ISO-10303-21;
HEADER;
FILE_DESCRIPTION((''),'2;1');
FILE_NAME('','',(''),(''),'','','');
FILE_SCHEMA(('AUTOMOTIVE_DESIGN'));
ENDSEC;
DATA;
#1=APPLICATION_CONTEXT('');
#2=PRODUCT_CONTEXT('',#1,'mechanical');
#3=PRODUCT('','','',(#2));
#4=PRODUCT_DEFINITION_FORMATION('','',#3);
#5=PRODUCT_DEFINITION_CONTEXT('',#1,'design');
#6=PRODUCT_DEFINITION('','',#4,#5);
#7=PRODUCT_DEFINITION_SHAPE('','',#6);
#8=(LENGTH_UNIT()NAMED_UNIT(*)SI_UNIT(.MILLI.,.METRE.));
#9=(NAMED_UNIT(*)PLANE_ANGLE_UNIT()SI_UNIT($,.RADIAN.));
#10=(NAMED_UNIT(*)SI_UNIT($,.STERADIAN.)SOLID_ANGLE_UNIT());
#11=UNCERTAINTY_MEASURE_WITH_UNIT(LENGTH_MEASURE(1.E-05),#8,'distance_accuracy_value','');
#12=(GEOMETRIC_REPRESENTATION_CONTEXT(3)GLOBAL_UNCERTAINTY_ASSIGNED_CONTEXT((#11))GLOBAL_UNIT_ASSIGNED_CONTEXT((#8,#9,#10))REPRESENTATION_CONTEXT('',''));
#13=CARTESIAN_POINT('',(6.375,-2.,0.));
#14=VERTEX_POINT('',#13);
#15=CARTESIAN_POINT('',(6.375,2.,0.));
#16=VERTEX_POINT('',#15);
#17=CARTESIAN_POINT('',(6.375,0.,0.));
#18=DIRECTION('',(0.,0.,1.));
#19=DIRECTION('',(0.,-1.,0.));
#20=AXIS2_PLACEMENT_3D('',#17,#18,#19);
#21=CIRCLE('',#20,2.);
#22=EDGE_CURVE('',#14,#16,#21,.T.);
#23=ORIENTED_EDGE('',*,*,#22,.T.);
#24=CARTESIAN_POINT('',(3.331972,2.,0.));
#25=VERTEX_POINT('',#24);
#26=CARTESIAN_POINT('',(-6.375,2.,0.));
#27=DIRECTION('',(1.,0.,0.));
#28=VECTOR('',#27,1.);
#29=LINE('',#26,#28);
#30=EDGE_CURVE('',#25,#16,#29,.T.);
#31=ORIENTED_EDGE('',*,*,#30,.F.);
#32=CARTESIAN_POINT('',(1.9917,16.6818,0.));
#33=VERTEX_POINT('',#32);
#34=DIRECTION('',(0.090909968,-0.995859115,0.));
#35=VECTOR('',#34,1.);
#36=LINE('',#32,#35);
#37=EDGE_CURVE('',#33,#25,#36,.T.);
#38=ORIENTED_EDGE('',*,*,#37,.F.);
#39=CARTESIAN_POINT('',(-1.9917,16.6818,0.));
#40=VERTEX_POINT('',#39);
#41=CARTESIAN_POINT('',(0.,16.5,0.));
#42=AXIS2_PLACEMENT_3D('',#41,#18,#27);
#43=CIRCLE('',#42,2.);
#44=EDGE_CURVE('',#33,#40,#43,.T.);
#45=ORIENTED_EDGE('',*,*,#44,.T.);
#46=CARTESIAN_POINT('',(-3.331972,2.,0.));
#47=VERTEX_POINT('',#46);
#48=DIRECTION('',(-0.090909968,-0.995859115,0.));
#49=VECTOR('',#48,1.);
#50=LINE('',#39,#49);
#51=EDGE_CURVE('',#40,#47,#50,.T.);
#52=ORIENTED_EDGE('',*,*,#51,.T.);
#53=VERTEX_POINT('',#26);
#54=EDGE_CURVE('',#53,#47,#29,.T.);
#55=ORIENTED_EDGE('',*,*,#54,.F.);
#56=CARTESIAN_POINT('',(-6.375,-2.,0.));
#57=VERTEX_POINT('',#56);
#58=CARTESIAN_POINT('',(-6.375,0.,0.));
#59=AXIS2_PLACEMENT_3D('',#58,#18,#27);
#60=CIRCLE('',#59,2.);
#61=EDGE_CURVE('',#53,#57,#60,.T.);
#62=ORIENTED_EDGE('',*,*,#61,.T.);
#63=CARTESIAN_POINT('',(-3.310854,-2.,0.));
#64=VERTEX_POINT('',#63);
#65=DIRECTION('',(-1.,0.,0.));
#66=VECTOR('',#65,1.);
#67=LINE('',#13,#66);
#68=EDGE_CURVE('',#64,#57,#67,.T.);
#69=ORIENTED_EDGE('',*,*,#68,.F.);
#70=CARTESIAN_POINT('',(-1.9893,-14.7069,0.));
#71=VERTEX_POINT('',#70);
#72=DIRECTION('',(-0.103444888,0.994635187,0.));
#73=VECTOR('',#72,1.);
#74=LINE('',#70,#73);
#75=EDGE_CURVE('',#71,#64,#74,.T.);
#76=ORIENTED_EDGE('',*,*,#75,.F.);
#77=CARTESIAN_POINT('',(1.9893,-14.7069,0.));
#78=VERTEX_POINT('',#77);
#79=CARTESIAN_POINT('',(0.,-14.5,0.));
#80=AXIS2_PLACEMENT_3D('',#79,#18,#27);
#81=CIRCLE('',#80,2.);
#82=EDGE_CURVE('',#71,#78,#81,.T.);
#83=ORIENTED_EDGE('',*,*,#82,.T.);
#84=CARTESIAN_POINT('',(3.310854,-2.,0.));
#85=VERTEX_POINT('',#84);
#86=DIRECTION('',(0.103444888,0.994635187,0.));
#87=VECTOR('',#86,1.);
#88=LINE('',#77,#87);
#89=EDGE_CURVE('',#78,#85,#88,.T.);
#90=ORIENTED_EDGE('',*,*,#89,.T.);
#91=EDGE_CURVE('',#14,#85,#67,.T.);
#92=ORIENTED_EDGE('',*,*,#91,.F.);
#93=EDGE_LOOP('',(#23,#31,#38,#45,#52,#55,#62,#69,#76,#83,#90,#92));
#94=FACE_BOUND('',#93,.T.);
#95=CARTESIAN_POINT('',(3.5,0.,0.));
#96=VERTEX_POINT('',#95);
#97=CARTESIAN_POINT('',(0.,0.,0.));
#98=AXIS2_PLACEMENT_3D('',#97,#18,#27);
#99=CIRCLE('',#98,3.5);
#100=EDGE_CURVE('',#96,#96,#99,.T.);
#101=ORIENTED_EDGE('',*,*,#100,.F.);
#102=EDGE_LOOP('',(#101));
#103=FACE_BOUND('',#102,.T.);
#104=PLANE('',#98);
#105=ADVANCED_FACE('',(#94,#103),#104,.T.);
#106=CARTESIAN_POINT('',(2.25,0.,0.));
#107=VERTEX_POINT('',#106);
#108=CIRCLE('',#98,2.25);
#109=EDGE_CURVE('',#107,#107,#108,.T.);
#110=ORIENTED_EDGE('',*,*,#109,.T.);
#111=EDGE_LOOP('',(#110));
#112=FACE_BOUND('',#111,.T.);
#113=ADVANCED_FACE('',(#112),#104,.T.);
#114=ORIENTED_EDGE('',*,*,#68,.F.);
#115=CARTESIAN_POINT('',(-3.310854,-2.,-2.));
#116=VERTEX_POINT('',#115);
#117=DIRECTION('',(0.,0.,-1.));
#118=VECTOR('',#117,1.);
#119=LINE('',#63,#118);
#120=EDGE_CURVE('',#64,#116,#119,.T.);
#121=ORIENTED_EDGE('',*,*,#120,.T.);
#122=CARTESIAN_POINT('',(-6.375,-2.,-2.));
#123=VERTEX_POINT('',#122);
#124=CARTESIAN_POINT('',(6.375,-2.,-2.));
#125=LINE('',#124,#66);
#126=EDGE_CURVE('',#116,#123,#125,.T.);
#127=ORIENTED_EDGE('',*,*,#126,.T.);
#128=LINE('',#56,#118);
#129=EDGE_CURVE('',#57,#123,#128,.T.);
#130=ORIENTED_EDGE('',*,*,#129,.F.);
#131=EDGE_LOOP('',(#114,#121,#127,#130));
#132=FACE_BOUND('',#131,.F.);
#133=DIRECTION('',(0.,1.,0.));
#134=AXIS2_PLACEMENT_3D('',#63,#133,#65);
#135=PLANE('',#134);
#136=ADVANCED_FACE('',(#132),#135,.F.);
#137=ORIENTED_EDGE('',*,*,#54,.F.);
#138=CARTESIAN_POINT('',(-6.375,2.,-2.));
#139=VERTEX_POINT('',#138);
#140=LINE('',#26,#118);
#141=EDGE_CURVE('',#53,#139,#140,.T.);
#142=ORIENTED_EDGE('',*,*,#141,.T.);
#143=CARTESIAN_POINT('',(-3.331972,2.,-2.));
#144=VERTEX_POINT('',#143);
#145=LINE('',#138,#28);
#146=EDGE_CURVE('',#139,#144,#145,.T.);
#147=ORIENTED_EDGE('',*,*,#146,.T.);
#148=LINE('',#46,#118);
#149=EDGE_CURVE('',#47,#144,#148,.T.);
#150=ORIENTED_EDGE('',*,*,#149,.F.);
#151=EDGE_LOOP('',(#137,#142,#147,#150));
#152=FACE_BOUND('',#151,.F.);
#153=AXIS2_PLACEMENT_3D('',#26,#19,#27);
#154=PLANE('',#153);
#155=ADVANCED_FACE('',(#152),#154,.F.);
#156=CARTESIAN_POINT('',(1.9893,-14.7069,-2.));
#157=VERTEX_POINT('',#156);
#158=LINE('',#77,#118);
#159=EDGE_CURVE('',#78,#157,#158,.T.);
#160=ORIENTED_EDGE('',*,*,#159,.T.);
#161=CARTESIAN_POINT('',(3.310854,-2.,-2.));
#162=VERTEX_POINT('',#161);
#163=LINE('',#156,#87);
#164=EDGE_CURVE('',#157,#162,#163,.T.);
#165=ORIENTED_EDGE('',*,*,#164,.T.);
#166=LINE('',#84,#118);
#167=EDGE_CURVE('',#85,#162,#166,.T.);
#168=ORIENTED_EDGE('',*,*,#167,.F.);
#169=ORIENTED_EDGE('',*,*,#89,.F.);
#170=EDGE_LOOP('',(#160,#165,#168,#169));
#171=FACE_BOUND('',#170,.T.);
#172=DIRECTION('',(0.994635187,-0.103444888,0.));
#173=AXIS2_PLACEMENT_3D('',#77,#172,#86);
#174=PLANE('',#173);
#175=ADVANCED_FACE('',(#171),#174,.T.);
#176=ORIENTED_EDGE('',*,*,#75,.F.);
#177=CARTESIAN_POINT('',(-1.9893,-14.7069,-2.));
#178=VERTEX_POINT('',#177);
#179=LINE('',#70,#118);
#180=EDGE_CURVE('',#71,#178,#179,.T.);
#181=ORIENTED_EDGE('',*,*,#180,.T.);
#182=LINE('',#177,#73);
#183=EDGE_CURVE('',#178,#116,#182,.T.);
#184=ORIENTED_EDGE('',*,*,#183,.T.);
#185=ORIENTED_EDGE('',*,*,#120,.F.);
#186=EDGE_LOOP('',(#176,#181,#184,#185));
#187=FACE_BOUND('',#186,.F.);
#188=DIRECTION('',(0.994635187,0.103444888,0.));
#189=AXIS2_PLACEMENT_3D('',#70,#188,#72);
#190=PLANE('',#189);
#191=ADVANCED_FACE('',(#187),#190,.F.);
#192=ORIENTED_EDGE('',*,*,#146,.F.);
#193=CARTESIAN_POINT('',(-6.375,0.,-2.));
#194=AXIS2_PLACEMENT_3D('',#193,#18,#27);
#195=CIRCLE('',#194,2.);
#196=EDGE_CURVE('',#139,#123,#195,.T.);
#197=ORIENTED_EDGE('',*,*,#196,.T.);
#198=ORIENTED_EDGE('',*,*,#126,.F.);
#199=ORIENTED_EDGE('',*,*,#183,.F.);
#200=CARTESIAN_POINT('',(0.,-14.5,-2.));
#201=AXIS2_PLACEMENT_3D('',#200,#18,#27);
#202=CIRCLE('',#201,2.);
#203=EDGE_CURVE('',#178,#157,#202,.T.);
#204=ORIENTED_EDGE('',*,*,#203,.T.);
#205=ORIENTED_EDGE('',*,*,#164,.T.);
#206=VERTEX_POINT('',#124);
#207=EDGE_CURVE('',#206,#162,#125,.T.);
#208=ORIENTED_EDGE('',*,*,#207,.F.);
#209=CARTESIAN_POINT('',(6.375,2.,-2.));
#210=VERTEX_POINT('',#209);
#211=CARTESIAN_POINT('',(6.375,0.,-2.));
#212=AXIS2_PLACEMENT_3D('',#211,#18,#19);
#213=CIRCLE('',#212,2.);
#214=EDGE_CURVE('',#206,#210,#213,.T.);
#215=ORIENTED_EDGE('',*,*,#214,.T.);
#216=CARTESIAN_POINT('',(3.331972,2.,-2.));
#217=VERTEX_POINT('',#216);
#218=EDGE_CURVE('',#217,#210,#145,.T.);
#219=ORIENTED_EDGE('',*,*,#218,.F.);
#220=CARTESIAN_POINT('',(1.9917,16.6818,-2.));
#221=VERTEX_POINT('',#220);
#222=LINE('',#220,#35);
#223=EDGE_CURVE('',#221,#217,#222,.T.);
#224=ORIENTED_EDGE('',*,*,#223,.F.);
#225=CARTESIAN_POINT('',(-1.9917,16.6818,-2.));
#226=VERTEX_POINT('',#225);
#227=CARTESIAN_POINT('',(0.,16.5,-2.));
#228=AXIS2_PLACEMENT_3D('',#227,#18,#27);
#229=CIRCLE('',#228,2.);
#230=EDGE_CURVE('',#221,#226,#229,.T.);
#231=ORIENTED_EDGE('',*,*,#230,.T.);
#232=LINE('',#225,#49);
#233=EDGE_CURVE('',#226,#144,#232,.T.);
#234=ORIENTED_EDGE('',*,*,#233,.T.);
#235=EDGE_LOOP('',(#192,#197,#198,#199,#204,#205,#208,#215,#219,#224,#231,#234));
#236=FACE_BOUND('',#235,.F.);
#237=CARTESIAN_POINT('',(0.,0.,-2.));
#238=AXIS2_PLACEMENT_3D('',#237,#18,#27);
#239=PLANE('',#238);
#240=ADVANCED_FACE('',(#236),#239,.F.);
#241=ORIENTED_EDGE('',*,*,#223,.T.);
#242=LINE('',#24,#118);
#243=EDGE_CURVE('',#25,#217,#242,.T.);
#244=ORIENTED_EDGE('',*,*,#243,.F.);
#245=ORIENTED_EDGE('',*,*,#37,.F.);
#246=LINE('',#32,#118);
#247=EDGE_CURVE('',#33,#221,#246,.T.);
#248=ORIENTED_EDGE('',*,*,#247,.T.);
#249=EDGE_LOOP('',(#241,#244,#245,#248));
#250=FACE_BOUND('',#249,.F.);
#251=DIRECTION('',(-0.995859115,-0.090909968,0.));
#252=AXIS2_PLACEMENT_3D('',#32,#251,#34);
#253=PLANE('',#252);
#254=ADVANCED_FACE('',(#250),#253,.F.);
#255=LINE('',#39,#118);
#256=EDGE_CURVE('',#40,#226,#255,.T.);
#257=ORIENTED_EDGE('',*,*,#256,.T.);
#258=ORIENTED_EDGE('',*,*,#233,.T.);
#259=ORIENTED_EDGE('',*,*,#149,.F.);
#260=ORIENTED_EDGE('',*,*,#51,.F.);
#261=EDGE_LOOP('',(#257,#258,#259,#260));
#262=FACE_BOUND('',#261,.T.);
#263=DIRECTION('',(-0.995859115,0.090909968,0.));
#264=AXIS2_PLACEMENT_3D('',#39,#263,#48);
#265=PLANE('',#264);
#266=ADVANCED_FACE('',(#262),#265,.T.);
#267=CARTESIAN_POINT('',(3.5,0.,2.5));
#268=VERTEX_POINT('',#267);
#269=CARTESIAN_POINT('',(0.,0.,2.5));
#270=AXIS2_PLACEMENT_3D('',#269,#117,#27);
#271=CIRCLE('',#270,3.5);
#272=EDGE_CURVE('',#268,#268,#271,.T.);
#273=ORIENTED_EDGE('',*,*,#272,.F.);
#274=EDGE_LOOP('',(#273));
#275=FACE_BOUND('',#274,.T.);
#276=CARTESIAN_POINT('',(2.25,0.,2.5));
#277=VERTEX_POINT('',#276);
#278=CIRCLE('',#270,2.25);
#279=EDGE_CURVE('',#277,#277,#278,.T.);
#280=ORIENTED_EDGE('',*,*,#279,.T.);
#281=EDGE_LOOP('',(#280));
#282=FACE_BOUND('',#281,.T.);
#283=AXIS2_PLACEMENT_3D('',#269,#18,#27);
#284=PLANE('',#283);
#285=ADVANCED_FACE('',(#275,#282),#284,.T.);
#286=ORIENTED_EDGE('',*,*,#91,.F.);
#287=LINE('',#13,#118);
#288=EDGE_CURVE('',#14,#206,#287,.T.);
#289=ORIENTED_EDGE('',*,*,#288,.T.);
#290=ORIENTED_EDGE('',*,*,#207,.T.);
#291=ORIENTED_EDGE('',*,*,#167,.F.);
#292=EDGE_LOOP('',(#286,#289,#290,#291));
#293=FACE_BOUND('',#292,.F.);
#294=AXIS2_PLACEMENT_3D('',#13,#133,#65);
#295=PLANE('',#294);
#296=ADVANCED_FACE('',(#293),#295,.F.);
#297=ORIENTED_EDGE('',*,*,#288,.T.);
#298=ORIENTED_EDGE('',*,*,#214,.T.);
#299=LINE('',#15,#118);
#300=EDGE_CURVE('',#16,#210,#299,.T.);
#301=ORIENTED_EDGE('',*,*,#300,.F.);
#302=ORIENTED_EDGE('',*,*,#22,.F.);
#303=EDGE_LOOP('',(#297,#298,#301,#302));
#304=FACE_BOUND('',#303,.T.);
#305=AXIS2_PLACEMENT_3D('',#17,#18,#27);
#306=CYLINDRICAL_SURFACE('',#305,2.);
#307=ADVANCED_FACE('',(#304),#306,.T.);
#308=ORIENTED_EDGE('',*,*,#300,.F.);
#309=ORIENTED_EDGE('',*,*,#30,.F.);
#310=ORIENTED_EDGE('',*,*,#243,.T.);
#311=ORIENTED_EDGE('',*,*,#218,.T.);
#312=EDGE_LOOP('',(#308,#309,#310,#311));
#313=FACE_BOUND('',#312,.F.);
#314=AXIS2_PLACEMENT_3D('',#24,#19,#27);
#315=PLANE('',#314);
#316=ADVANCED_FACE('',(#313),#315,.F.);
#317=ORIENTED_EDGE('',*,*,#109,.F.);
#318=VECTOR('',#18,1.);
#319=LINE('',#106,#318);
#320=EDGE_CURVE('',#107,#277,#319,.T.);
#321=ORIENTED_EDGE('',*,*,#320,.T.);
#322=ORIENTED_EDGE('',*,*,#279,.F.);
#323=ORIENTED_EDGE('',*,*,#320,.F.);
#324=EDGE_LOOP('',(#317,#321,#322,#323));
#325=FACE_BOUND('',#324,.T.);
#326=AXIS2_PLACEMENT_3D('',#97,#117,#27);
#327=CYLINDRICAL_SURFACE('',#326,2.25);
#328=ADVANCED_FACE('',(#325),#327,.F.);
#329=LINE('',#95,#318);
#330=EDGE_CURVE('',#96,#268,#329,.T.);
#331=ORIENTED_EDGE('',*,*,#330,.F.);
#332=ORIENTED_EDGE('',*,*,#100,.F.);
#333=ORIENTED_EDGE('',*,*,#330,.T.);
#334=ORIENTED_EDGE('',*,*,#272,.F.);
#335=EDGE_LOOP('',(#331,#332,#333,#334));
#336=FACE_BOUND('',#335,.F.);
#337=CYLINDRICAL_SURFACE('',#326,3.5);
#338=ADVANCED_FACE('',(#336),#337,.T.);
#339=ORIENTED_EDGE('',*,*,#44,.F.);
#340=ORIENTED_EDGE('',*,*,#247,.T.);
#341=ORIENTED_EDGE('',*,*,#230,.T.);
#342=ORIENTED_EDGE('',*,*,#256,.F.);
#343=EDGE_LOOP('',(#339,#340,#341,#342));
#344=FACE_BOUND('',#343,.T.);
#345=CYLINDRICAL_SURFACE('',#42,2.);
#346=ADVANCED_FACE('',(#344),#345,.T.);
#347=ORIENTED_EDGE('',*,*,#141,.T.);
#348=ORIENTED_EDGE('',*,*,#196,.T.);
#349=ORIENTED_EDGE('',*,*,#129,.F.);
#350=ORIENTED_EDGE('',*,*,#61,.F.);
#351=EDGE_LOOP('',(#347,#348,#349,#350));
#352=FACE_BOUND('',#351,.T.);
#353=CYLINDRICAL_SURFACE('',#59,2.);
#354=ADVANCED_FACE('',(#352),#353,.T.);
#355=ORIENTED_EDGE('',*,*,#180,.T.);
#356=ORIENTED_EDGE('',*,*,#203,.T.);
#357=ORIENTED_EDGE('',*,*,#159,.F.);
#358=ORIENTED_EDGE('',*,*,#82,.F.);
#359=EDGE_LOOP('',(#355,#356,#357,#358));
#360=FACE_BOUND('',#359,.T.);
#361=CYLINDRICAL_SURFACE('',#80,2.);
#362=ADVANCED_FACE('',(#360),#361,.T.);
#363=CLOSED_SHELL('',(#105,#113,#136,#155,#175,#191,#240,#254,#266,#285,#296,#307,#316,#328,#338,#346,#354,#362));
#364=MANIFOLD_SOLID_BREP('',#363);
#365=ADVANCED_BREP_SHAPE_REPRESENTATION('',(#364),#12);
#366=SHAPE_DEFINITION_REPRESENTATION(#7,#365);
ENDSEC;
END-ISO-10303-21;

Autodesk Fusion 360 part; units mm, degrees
sketch "Sketch1" plane through (0, 0, 0) normal (0, 0, 1) x (1, 0, 0)
  circle A0 centre (0, 0) radius 3.5
  circle A1 centre (0, 0) radius 2.25
  circle A2 centre (0, 16.5) radius 2
  circle A3 centre (0, -14.5) radius 2
  circle A4 centre (-6.375, 0) radius 2
  circle A5 centre (6.375, 0) radius 2
  line L0 (0, 0) -> (0, 16.5) construction
  line L1 (-1.9917, 16.6818) -> (-3.4855, 0.3182)
  line L2 (-1.9893, -14.7069) -> (-3.4812, -0.3621)
  line L3 (1.9917, 16.6818) -> (3.4855, 0.3182)
  line L4 (1.9893, -14.7069) -> (3.4812, -0.3621)
  line L5 (-6.375, 2) -> (6.375, 2)
  line L6 (6.375, 2) -> (6.375, -2) construction
  line L7 (6.375, -2) -> (-6.375, -2)
  line L8 (-6.375, -2) -> (-6.375, 2) construction
  circle A6 centre (0, 0) radius 1.25
  circle A7 centre (0, 5) radius 0.625
  circle A8 centre (0, -5) radius 0.625
  point P0 (0, -16.5)
  point P1 (0, 18.5)
  point P2 (-8.375, 0)
  point P3 (8.375, 0)
  dimension "d1" = 7
  dimension "d2" = 4.5
  dimension "d5" = 35
  dimension "d7" = 4
  dimension "d8" = 16.75
  dimension "d9" = 14.5
  dimension "d12" = 2.5
  dimension "d14" = 5
  dimension "d15" = 1.25
  dimension "d22" = 5
extrude "Extrude1" add sketch "Sketch1" along normal blind 2.5 contours A0 A1 L5 L7 | A0 A1 L5 | A0 A1 L7 | A0 A1 L5 L7
extrude "Extrude2" add sketch "Sketch1" against normal blind 2 contours A0 A1 L5 L7 | A0 A5 L3 L4 L5 L7 | A0 L3 L5 | A0 L4 L7 | A0 A1 L5 | A0 A2 L1 L3 L5 | A0 A3 L2 L4 L7 | A0 A1 L7 | A0 A1 L5 L7 | A0 L1 L5 | A1 L5 | A1 L5 L7 | A2 | A5 | A0 L2 L7 | A1 L7 | A3 | A0 A4 L1 L2 L5 L7 | A4 | A6 | A7 | A8
extrude "Extrude4" cut sketch "Sketch1" along normal through all contours A7
pattern_linear "R-Pattern1" count 7 spacing 2 along (0, 1, 0) of "Extrude4"
extrude "Extrude5" cut sketch "Sketch1" along normal through all contours A8
pattern_linear "R-Pattern2" count 6 spacing 2 along (0, -1, 0) of "Extrude5"
extrude "Extrude6" cut sketch "Sketch1" along normal through all contours A6
